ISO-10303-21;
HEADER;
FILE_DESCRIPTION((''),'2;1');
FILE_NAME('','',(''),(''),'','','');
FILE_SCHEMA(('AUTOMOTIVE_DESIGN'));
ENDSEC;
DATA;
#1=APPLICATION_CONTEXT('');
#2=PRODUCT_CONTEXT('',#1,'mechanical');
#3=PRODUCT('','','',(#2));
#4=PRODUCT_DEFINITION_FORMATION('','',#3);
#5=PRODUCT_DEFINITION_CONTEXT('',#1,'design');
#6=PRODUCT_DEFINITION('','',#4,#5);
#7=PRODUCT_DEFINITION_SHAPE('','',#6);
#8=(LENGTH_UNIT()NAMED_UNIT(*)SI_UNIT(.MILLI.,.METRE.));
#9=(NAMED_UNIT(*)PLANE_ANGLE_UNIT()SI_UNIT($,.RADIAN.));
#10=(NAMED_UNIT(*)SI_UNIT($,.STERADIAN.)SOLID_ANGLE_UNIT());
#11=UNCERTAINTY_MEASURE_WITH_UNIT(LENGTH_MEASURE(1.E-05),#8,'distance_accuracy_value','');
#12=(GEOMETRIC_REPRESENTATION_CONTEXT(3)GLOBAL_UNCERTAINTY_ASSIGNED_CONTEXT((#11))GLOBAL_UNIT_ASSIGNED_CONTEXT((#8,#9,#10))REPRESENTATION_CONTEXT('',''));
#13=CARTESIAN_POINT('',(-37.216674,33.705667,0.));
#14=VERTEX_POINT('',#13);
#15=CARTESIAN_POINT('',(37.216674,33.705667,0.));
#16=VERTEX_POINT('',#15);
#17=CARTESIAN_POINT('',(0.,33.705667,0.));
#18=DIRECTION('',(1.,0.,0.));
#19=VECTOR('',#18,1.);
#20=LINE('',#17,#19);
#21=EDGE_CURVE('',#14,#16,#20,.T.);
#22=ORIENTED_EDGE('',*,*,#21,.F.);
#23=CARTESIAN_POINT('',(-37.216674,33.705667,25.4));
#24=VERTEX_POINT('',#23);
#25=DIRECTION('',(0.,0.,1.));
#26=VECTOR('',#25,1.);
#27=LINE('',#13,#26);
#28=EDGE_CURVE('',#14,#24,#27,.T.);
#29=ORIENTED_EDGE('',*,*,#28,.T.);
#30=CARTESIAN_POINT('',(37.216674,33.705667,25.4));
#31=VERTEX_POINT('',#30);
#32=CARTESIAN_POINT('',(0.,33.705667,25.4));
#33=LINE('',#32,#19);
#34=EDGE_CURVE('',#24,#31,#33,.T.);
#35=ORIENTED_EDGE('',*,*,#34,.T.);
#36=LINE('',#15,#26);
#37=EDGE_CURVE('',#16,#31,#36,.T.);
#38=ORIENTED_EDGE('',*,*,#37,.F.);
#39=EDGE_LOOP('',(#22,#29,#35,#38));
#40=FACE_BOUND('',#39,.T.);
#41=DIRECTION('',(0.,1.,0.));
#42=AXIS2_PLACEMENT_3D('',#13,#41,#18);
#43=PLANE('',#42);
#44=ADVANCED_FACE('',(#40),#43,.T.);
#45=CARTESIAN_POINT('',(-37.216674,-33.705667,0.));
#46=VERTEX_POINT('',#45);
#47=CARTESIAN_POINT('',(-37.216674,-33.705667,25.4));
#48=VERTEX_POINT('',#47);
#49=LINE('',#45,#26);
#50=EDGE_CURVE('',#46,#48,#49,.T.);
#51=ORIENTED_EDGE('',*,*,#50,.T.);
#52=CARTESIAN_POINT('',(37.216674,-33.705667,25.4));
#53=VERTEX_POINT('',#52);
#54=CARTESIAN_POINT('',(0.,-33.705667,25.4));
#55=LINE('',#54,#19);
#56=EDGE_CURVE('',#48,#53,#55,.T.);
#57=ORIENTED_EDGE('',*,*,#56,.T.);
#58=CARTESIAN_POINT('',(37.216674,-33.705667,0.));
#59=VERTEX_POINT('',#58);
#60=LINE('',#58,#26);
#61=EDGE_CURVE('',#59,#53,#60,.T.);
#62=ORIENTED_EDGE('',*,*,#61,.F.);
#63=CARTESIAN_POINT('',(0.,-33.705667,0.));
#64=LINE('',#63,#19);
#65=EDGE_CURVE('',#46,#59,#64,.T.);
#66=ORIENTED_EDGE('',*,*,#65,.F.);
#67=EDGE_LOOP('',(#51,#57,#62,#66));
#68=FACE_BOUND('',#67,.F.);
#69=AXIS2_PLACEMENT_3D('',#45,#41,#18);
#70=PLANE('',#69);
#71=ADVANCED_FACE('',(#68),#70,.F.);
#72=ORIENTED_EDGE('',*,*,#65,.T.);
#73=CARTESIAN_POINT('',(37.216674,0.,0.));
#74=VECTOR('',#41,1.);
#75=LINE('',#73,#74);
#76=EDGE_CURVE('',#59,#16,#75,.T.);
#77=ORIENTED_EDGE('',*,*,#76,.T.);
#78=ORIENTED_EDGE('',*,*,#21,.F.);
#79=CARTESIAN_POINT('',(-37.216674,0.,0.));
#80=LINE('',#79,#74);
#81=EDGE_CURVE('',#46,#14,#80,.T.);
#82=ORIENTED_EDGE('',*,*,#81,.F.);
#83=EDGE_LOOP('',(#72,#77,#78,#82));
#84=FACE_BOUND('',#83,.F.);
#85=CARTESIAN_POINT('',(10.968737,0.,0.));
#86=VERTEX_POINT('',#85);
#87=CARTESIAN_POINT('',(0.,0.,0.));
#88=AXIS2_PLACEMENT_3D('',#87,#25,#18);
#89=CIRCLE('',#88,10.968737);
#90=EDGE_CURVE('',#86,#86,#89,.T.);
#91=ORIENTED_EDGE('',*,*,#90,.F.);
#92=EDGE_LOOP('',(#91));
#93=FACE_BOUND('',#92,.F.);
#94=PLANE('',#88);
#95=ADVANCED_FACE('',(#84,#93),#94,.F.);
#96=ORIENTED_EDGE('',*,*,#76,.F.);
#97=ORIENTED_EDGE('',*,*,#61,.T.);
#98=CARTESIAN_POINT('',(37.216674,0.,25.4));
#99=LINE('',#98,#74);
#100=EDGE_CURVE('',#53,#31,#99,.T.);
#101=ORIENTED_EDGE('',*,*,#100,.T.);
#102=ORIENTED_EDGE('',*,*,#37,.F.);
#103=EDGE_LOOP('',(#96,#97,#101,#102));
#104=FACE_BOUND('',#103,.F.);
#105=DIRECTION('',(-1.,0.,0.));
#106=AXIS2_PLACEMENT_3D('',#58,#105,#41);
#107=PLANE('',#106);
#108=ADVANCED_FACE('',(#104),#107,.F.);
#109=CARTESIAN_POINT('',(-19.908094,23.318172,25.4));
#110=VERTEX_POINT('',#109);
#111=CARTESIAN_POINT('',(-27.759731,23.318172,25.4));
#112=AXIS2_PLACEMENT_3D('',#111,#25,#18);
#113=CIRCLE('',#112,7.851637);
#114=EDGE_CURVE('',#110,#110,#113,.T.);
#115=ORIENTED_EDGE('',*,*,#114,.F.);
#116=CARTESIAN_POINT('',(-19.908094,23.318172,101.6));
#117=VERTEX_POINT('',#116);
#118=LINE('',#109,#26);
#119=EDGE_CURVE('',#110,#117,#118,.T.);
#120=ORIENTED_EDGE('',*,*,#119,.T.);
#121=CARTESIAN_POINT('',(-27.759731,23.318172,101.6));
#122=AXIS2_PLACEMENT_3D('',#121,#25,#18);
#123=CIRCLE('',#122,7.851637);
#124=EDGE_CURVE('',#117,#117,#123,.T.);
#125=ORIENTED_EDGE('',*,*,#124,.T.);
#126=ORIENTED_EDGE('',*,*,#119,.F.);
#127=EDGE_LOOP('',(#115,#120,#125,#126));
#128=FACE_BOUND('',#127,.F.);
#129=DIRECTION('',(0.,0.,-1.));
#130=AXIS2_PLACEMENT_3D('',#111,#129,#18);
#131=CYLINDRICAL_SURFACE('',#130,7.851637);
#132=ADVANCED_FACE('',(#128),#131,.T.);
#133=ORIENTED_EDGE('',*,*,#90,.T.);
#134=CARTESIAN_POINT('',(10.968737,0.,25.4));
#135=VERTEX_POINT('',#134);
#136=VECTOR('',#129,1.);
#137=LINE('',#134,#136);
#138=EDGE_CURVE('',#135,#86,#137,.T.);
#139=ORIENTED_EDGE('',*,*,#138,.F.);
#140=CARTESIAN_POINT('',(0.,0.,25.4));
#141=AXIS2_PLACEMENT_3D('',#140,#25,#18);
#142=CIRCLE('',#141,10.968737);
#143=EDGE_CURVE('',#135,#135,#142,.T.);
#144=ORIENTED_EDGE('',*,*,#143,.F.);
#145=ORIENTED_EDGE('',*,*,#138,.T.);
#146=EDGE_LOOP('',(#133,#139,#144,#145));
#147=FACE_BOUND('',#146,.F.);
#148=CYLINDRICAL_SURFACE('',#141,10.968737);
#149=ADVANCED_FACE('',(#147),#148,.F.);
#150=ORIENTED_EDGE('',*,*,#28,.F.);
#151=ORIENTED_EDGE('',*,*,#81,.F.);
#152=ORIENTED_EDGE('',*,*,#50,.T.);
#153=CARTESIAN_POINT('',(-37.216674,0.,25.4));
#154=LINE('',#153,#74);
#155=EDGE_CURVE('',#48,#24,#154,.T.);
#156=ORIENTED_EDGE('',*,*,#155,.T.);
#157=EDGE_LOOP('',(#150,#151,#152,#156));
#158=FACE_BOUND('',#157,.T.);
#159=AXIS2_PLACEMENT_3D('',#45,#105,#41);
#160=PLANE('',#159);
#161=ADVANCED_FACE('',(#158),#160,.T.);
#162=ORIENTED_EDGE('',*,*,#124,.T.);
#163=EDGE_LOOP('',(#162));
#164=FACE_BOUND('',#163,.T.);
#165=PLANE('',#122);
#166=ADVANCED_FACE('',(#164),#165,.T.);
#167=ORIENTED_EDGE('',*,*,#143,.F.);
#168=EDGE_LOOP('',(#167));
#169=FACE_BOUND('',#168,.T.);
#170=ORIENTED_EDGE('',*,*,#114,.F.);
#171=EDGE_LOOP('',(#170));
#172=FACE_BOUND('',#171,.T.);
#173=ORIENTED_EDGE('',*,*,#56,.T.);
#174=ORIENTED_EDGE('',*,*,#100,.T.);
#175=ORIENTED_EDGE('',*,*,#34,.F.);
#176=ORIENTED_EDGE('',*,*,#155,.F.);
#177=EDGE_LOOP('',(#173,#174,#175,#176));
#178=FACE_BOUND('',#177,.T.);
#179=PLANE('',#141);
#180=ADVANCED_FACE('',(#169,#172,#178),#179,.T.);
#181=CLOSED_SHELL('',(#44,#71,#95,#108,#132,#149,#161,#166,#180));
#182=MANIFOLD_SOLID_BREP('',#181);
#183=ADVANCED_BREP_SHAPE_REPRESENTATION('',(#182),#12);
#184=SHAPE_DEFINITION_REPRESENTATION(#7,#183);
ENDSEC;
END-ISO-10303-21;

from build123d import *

# Parameters (mm, degrees)
F0_W     = 74.433348
F0_H     = 67.411334
F1_DEPTH = 25.4
F2_R     = 10.968737
F3_DEPTH = 25.401
F4_R     = 7.851637
F5_DEPTH = 76.2


with BuildPart() as f1:
    # F0 (on Top) → F1 (new body)
    with BuildSketch(Plane.XY):
        with Locations((1e-06, 4e-06)):
            Rectangle(F0_W, F0_H)
    extrude(amount=F1_DEPTH)

    # F2 (on face) → F3 (cut, through all)
    with BuildSketch(Plane.XY.offset(25.4)):
        Circle(F2_R)
    extrude(amount=-F3_DEPTH, mode=Mode.SUBTRACT)

    # F4 (on face) → F5 (join)
    with BuildSketch(Plane.XY.offset(25.4)):
        with Locations((-27.759731, 23.318172)):
            Circle(F4_R)
    extrude(amount=F5_DEPTH)


solid = f1.part
